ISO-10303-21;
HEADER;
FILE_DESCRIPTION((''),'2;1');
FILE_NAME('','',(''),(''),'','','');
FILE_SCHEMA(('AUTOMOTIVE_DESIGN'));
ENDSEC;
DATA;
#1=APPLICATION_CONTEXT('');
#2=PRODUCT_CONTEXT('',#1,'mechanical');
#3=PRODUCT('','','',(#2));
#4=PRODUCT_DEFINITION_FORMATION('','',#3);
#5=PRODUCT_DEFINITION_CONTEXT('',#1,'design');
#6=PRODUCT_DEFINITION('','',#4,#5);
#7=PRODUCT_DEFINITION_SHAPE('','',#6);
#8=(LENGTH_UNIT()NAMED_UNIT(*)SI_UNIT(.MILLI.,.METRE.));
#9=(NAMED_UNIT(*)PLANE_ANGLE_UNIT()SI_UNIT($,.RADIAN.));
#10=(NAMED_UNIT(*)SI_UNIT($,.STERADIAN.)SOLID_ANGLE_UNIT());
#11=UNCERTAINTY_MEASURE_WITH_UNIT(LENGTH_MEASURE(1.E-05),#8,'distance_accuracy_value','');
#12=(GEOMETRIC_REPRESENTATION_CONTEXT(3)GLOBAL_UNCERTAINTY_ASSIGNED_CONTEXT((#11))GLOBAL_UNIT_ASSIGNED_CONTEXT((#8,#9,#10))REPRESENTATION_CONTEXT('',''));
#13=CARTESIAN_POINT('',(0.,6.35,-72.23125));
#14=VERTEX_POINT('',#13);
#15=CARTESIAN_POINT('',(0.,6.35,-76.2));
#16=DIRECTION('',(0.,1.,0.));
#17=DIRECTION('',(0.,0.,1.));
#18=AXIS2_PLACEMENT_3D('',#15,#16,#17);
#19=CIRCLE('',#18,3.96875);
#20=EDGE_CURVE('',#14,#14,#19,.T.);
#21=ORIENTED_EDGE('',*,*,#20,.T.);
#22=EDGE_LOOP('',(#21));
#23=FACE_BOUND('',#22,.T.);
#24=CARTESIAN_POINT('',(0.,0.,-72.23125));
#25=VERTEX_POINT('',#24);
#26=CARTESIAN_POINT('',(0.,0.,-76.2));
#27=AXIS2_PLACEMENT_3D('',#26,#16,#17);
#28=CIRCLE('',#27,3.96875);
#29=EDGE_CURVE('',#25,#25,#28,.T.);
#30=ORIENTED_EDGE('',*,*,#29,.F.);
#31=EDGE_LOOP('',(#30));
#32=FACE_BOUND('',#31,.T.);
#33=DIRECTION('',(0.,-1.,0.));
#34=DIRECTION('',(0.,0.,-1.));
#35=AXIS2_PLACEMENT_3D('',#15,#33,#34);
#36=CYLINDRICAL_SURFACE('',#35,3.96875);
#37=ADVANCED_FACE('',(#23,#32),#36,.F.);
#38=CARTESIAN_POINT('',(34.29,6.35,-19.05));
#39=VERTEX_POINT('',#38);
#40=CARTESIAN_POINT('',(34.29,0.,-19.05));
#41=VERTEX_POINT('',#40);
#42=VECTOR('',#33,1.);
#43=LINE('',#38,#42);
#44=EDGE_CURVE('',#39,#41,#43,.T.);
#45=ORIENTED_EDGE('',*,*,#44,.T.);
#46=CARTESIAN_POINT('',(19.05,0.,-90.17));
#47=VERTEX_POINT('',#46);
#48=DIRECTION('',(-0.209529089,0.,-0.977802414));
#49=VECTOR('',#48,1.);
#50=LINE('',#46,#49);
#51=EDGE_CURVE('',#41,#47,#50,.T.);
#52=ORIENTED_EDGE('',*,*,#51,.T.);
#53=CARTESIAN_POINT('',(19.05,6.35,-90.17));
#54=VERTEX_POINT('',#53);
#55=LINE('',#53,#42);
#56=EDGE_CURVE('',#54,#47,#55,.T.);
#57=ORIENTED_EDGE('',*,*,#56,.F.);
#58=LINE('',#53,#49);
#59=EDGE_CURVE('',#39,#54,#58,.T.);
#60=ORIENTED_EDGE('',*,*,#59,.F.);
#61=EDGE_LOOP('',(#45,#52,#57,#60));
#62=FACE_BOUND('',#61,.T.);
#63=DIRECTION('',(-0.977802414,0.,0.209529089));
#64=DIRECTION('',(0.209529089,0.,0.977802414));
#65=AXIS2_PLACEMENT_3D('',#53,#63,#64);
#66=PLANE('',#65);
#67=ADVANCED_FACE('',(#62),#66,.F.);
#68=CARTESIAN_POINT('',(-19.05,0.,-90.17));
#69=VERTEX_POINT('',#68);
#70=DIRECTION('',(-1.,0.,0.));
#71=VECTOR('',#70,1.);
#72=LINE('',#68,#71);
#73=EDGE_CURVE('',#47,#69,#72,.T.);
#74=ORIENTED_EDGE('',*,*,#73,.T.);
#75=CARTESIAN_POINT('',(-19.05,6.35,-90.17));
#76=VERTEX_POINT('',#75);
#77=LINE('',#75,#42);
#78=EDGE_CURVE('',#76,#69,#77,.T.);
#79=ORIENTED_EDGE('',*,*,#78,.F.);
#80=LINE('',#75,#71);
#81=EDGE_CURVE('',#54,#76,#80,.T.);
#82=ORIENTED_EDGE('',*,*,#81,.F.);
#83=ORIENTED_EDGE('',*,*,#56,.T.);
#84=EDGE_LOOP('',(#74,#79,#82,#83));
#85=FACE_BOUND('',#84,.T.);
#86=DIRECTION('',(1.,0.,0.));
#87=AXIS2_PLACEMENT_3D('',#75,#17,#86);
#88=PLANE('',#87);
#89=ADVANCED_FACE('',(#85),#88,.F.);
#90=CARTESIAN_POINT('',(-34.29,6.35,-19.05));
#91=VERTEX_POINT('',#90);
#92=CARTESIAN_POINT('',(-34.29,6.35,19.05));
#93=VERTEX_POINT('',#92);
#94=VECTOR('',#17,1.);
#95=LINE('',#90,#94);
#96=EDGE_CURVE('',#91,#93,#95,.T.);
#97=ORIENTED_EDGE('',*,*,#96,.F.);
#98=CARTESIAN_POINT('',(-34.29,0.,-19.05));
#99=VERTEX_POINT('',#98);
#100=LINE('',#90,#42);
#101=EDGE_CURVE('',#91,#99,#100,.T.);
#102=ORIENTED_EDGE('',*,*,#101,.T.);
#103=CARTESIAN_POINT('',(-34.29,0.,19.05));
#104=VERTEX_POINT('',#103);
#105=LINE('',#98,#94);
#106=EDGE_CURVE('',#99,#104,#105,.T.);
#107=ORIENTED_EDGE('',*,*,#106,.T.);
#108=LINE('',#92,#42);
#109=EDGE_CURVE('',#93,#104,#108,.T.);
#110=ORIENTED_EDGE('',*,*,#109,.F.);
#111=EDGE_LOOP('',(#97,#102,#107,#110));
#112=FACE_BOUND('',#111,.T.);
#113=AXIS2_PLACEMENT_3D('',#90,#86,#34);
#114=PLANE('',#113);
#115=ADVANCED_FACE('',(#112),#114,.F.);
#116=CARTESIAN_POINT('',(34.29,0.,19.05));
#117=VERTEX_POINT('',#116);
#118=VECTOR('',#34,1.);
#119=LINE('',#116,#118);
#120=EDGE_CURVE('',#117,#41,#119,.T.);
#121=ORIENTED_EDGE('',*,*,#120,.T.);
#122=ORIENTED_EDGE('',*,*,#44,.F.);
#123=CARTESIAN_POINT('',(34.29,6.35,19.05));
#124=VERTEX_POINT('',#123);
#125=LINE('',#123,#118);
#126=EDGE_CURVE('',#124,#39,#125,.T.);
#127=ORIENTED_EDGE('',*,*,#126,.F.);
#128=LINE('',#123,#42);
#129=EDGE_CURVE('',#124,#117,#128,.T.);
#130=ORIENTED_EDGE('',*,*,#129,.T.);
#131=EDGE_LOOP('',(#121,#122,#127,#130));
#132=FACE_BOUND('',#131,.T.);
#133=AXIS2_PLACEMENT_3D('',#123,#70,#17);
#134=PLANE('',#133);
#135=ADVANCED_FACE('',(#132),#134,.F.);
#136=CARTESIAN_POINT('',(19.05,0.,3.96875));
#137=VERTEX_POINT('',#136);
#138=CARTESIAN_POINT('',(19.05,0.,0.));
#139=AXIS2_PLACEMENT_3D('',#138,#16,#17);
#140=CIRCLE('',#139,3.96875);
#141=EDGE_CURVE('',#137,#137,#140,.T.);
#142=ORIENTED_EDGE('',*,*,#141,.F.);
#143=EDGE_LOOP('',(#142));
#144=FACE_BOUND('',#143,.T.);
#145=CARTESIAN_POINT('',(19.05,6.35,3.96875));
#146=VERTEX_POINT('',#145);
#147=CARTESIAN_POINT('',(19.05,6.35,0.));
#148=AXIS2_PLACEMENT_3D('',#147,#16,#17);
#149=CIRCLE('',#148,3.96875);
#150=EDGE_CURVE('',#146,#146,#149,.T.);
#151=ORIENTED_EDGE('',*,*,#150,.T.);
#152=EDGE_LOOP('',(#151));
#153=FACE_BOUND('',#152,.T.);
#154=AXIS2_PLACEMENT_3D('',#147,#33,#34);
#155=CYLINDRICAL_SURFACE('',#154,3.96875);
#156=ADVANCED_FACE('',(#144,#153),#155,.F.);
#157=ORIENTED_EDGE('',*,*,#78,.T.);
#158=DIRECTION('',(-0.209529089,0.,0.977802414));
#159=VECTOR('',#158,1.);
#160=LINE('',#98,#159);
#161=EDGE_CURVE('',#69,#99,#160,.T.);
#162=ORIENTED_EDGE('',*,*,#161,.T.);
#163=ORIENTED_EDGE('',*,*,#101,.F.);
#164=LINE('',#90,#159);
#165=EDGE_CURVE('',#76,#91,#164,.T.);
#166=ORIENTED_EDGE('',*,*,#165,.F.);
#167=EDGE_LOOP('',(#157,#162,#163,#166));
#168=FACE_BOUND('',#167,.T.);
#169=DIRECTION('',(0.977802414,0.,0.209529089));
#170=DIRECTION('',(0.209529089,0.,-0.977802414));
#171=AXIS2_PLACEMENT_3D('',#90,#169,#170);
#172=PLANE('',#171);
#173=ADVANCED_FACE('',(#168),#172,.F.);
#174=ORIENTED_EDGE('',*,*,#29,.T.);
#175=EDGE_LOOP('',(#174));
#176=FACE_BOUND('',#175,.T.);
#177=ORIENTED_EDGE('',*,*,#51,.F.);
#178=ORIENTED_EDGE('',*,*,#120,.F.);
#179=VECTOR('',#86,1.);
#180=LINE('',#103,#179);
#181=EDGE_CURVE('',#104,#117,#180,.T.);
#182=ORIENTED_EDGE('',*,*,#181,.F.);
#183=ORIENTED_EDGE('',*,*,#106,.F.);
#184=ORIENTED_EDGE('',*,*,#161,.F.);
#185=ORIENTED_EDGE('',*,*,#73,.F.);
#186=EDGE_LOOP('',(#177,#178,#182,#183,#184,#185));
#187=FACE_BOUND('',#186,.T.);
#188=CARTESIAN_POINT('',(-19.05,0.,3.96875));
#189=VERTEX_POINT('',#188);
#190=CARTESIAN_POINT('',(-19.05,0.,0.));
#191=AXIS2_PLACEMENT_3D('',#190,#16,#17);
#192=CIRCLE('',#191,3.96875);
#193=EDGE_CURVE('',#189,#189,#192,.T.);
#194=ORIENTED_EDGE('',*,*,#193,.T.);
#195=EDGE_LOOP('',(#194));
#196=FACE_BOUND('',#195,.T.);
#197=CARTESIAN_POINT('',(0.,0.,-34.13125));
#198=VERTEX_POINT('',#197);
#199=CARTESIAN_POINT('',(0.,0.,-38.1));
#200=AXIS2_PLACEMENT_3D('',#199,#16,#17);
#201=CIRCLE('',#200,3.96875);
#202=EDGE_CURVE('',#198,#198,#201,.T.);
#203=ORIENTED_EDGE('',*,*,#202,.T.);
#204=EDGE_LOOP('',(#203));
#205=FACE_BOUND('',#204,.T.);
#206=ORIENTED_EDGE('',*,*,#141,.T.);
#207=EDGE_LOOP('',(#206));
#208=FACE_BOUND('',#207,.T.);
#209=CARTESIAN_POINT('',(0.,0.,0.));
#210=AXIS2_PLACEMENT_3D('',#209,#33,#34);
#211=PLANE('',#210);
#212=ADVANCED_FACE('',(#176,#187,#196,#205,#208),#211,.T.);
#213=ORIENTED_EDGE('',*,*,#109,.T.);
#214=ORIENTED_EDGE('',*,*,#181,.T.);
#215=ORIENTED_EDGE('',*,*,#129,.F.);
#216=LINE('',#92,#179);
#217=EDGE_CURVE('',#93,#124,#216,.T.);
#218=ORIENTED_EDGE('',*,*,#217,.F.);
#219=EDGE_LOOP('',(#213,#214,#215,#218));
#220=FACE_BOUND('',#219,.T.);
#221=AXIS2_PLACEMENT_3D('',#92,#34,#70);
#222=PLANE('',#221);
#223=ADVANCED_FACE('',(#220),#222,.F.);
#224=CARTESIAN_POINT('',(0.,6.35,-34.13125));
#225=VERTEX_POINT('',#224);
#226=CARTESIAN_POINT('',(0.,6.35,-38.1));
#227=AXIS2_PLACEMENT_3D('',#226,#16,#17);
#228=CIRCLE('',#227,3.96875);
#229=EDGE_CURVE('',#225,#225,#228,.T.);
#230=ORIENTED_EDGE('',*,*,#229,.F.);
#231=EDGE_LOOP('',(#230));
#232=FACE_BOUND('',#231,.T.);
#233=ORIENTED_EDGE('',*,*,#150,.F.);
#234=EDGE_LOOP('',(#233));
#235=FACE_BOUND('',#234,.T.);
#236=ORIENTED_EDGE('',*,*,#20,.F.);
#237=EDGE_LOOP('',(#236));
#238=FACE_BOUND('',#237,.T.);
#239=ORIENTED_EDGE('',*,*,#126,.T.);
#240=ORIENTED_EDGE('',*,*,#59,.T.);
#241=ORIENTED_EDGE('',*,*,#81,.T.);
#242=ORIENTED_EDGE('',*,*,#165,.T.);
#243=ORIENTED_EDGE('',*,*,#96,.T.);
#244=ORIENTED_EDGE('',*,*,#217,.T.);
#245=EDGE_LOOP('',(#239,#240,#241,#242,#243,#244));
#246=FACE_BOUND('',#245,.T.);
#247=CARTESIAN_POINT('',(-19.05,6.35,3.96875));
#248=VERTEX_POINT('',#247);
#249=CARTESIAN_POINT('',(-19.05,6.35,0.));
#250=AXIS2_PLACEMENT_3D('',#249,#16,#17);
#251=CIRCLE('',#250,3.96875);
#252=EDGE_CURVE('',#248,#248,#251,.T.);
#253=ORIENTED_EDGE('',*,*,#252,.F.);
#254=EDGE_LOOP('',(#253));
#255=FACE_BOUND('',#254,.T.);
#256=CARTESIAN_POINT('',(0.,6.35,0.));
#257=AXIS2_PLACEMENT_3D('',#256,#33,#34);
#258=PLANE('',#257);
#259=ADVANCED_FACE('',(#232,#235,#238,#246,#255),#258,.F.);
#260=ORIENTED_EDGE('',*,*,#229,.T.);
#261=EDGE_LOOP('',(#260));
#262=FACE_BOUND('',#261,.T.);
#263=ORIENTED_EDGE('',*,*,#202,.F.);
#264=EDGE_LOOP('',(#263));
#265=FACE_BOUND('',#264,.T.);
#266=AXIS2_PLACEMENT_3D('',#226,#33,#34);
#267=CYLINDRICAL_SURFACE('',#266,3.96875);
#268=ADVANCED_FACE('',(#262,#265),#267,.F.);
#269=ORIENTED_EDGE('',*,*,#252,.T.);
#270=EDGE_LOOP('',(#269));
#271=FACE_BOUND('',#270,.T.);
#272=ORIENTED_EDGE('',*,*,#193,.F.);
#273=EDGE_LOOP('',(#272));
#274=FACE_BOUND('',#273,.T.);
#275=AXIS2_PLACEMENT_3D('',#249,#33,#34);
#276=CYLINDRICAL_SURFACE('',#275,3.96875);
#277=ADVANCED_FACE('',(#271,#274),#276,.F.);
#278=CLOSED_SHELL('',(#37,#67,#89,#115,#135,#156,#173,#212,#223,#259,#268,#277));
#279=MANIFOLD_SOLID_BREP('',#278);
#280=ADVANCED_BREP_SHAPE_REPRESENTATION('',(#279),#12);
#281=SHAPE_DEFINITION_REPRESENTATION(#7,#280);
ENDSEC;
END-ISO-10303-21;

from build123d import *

# Parameters (mm, degrees)
SKETCH1_R           = 3.96875
BOSS_EXTRUDE1_DEPTH = 6.35


with BuildPart() as part:
    # Sketch1 → Boss-Extrude1 (new body)
    with BuildSketch(Plane(origin=(0, 0, 0), x_dir=(1, 0, 0), z_dir=(0, 1, 0))):
        Polygon((-34.29, 19.05), (-34.29, -19.05), (34.29, -19.05), (34.29, 19.05), (19.05, 90.17), (-19.05, 90.17), align=None)
        with Locations(Location((-19.05, 0, 0), (0, 0, 270))):
            Circle(SKETCH1_R, mode=Mode.SUBTRACT)
        with Locations(Location((19.05, 0, 0), (0, 0, 270))):
            Circle(SKETCH1_R, mode=Mode.SUBTRACT)
        with Locations(Location((0, 76.2, 0), (0, 0, 270))):
            Circle(SKETCH1_R, mode=Mode.SUBTRACT)
        with Locations(Location((0, 38.1, 0), (0, 0, 270))):
            Circle(SKETCH1_R, mode=Mode.SUBTRACT)
    extrude(amount=BOSS_EXTRUDE1_DEPTH)


solid = part.part
